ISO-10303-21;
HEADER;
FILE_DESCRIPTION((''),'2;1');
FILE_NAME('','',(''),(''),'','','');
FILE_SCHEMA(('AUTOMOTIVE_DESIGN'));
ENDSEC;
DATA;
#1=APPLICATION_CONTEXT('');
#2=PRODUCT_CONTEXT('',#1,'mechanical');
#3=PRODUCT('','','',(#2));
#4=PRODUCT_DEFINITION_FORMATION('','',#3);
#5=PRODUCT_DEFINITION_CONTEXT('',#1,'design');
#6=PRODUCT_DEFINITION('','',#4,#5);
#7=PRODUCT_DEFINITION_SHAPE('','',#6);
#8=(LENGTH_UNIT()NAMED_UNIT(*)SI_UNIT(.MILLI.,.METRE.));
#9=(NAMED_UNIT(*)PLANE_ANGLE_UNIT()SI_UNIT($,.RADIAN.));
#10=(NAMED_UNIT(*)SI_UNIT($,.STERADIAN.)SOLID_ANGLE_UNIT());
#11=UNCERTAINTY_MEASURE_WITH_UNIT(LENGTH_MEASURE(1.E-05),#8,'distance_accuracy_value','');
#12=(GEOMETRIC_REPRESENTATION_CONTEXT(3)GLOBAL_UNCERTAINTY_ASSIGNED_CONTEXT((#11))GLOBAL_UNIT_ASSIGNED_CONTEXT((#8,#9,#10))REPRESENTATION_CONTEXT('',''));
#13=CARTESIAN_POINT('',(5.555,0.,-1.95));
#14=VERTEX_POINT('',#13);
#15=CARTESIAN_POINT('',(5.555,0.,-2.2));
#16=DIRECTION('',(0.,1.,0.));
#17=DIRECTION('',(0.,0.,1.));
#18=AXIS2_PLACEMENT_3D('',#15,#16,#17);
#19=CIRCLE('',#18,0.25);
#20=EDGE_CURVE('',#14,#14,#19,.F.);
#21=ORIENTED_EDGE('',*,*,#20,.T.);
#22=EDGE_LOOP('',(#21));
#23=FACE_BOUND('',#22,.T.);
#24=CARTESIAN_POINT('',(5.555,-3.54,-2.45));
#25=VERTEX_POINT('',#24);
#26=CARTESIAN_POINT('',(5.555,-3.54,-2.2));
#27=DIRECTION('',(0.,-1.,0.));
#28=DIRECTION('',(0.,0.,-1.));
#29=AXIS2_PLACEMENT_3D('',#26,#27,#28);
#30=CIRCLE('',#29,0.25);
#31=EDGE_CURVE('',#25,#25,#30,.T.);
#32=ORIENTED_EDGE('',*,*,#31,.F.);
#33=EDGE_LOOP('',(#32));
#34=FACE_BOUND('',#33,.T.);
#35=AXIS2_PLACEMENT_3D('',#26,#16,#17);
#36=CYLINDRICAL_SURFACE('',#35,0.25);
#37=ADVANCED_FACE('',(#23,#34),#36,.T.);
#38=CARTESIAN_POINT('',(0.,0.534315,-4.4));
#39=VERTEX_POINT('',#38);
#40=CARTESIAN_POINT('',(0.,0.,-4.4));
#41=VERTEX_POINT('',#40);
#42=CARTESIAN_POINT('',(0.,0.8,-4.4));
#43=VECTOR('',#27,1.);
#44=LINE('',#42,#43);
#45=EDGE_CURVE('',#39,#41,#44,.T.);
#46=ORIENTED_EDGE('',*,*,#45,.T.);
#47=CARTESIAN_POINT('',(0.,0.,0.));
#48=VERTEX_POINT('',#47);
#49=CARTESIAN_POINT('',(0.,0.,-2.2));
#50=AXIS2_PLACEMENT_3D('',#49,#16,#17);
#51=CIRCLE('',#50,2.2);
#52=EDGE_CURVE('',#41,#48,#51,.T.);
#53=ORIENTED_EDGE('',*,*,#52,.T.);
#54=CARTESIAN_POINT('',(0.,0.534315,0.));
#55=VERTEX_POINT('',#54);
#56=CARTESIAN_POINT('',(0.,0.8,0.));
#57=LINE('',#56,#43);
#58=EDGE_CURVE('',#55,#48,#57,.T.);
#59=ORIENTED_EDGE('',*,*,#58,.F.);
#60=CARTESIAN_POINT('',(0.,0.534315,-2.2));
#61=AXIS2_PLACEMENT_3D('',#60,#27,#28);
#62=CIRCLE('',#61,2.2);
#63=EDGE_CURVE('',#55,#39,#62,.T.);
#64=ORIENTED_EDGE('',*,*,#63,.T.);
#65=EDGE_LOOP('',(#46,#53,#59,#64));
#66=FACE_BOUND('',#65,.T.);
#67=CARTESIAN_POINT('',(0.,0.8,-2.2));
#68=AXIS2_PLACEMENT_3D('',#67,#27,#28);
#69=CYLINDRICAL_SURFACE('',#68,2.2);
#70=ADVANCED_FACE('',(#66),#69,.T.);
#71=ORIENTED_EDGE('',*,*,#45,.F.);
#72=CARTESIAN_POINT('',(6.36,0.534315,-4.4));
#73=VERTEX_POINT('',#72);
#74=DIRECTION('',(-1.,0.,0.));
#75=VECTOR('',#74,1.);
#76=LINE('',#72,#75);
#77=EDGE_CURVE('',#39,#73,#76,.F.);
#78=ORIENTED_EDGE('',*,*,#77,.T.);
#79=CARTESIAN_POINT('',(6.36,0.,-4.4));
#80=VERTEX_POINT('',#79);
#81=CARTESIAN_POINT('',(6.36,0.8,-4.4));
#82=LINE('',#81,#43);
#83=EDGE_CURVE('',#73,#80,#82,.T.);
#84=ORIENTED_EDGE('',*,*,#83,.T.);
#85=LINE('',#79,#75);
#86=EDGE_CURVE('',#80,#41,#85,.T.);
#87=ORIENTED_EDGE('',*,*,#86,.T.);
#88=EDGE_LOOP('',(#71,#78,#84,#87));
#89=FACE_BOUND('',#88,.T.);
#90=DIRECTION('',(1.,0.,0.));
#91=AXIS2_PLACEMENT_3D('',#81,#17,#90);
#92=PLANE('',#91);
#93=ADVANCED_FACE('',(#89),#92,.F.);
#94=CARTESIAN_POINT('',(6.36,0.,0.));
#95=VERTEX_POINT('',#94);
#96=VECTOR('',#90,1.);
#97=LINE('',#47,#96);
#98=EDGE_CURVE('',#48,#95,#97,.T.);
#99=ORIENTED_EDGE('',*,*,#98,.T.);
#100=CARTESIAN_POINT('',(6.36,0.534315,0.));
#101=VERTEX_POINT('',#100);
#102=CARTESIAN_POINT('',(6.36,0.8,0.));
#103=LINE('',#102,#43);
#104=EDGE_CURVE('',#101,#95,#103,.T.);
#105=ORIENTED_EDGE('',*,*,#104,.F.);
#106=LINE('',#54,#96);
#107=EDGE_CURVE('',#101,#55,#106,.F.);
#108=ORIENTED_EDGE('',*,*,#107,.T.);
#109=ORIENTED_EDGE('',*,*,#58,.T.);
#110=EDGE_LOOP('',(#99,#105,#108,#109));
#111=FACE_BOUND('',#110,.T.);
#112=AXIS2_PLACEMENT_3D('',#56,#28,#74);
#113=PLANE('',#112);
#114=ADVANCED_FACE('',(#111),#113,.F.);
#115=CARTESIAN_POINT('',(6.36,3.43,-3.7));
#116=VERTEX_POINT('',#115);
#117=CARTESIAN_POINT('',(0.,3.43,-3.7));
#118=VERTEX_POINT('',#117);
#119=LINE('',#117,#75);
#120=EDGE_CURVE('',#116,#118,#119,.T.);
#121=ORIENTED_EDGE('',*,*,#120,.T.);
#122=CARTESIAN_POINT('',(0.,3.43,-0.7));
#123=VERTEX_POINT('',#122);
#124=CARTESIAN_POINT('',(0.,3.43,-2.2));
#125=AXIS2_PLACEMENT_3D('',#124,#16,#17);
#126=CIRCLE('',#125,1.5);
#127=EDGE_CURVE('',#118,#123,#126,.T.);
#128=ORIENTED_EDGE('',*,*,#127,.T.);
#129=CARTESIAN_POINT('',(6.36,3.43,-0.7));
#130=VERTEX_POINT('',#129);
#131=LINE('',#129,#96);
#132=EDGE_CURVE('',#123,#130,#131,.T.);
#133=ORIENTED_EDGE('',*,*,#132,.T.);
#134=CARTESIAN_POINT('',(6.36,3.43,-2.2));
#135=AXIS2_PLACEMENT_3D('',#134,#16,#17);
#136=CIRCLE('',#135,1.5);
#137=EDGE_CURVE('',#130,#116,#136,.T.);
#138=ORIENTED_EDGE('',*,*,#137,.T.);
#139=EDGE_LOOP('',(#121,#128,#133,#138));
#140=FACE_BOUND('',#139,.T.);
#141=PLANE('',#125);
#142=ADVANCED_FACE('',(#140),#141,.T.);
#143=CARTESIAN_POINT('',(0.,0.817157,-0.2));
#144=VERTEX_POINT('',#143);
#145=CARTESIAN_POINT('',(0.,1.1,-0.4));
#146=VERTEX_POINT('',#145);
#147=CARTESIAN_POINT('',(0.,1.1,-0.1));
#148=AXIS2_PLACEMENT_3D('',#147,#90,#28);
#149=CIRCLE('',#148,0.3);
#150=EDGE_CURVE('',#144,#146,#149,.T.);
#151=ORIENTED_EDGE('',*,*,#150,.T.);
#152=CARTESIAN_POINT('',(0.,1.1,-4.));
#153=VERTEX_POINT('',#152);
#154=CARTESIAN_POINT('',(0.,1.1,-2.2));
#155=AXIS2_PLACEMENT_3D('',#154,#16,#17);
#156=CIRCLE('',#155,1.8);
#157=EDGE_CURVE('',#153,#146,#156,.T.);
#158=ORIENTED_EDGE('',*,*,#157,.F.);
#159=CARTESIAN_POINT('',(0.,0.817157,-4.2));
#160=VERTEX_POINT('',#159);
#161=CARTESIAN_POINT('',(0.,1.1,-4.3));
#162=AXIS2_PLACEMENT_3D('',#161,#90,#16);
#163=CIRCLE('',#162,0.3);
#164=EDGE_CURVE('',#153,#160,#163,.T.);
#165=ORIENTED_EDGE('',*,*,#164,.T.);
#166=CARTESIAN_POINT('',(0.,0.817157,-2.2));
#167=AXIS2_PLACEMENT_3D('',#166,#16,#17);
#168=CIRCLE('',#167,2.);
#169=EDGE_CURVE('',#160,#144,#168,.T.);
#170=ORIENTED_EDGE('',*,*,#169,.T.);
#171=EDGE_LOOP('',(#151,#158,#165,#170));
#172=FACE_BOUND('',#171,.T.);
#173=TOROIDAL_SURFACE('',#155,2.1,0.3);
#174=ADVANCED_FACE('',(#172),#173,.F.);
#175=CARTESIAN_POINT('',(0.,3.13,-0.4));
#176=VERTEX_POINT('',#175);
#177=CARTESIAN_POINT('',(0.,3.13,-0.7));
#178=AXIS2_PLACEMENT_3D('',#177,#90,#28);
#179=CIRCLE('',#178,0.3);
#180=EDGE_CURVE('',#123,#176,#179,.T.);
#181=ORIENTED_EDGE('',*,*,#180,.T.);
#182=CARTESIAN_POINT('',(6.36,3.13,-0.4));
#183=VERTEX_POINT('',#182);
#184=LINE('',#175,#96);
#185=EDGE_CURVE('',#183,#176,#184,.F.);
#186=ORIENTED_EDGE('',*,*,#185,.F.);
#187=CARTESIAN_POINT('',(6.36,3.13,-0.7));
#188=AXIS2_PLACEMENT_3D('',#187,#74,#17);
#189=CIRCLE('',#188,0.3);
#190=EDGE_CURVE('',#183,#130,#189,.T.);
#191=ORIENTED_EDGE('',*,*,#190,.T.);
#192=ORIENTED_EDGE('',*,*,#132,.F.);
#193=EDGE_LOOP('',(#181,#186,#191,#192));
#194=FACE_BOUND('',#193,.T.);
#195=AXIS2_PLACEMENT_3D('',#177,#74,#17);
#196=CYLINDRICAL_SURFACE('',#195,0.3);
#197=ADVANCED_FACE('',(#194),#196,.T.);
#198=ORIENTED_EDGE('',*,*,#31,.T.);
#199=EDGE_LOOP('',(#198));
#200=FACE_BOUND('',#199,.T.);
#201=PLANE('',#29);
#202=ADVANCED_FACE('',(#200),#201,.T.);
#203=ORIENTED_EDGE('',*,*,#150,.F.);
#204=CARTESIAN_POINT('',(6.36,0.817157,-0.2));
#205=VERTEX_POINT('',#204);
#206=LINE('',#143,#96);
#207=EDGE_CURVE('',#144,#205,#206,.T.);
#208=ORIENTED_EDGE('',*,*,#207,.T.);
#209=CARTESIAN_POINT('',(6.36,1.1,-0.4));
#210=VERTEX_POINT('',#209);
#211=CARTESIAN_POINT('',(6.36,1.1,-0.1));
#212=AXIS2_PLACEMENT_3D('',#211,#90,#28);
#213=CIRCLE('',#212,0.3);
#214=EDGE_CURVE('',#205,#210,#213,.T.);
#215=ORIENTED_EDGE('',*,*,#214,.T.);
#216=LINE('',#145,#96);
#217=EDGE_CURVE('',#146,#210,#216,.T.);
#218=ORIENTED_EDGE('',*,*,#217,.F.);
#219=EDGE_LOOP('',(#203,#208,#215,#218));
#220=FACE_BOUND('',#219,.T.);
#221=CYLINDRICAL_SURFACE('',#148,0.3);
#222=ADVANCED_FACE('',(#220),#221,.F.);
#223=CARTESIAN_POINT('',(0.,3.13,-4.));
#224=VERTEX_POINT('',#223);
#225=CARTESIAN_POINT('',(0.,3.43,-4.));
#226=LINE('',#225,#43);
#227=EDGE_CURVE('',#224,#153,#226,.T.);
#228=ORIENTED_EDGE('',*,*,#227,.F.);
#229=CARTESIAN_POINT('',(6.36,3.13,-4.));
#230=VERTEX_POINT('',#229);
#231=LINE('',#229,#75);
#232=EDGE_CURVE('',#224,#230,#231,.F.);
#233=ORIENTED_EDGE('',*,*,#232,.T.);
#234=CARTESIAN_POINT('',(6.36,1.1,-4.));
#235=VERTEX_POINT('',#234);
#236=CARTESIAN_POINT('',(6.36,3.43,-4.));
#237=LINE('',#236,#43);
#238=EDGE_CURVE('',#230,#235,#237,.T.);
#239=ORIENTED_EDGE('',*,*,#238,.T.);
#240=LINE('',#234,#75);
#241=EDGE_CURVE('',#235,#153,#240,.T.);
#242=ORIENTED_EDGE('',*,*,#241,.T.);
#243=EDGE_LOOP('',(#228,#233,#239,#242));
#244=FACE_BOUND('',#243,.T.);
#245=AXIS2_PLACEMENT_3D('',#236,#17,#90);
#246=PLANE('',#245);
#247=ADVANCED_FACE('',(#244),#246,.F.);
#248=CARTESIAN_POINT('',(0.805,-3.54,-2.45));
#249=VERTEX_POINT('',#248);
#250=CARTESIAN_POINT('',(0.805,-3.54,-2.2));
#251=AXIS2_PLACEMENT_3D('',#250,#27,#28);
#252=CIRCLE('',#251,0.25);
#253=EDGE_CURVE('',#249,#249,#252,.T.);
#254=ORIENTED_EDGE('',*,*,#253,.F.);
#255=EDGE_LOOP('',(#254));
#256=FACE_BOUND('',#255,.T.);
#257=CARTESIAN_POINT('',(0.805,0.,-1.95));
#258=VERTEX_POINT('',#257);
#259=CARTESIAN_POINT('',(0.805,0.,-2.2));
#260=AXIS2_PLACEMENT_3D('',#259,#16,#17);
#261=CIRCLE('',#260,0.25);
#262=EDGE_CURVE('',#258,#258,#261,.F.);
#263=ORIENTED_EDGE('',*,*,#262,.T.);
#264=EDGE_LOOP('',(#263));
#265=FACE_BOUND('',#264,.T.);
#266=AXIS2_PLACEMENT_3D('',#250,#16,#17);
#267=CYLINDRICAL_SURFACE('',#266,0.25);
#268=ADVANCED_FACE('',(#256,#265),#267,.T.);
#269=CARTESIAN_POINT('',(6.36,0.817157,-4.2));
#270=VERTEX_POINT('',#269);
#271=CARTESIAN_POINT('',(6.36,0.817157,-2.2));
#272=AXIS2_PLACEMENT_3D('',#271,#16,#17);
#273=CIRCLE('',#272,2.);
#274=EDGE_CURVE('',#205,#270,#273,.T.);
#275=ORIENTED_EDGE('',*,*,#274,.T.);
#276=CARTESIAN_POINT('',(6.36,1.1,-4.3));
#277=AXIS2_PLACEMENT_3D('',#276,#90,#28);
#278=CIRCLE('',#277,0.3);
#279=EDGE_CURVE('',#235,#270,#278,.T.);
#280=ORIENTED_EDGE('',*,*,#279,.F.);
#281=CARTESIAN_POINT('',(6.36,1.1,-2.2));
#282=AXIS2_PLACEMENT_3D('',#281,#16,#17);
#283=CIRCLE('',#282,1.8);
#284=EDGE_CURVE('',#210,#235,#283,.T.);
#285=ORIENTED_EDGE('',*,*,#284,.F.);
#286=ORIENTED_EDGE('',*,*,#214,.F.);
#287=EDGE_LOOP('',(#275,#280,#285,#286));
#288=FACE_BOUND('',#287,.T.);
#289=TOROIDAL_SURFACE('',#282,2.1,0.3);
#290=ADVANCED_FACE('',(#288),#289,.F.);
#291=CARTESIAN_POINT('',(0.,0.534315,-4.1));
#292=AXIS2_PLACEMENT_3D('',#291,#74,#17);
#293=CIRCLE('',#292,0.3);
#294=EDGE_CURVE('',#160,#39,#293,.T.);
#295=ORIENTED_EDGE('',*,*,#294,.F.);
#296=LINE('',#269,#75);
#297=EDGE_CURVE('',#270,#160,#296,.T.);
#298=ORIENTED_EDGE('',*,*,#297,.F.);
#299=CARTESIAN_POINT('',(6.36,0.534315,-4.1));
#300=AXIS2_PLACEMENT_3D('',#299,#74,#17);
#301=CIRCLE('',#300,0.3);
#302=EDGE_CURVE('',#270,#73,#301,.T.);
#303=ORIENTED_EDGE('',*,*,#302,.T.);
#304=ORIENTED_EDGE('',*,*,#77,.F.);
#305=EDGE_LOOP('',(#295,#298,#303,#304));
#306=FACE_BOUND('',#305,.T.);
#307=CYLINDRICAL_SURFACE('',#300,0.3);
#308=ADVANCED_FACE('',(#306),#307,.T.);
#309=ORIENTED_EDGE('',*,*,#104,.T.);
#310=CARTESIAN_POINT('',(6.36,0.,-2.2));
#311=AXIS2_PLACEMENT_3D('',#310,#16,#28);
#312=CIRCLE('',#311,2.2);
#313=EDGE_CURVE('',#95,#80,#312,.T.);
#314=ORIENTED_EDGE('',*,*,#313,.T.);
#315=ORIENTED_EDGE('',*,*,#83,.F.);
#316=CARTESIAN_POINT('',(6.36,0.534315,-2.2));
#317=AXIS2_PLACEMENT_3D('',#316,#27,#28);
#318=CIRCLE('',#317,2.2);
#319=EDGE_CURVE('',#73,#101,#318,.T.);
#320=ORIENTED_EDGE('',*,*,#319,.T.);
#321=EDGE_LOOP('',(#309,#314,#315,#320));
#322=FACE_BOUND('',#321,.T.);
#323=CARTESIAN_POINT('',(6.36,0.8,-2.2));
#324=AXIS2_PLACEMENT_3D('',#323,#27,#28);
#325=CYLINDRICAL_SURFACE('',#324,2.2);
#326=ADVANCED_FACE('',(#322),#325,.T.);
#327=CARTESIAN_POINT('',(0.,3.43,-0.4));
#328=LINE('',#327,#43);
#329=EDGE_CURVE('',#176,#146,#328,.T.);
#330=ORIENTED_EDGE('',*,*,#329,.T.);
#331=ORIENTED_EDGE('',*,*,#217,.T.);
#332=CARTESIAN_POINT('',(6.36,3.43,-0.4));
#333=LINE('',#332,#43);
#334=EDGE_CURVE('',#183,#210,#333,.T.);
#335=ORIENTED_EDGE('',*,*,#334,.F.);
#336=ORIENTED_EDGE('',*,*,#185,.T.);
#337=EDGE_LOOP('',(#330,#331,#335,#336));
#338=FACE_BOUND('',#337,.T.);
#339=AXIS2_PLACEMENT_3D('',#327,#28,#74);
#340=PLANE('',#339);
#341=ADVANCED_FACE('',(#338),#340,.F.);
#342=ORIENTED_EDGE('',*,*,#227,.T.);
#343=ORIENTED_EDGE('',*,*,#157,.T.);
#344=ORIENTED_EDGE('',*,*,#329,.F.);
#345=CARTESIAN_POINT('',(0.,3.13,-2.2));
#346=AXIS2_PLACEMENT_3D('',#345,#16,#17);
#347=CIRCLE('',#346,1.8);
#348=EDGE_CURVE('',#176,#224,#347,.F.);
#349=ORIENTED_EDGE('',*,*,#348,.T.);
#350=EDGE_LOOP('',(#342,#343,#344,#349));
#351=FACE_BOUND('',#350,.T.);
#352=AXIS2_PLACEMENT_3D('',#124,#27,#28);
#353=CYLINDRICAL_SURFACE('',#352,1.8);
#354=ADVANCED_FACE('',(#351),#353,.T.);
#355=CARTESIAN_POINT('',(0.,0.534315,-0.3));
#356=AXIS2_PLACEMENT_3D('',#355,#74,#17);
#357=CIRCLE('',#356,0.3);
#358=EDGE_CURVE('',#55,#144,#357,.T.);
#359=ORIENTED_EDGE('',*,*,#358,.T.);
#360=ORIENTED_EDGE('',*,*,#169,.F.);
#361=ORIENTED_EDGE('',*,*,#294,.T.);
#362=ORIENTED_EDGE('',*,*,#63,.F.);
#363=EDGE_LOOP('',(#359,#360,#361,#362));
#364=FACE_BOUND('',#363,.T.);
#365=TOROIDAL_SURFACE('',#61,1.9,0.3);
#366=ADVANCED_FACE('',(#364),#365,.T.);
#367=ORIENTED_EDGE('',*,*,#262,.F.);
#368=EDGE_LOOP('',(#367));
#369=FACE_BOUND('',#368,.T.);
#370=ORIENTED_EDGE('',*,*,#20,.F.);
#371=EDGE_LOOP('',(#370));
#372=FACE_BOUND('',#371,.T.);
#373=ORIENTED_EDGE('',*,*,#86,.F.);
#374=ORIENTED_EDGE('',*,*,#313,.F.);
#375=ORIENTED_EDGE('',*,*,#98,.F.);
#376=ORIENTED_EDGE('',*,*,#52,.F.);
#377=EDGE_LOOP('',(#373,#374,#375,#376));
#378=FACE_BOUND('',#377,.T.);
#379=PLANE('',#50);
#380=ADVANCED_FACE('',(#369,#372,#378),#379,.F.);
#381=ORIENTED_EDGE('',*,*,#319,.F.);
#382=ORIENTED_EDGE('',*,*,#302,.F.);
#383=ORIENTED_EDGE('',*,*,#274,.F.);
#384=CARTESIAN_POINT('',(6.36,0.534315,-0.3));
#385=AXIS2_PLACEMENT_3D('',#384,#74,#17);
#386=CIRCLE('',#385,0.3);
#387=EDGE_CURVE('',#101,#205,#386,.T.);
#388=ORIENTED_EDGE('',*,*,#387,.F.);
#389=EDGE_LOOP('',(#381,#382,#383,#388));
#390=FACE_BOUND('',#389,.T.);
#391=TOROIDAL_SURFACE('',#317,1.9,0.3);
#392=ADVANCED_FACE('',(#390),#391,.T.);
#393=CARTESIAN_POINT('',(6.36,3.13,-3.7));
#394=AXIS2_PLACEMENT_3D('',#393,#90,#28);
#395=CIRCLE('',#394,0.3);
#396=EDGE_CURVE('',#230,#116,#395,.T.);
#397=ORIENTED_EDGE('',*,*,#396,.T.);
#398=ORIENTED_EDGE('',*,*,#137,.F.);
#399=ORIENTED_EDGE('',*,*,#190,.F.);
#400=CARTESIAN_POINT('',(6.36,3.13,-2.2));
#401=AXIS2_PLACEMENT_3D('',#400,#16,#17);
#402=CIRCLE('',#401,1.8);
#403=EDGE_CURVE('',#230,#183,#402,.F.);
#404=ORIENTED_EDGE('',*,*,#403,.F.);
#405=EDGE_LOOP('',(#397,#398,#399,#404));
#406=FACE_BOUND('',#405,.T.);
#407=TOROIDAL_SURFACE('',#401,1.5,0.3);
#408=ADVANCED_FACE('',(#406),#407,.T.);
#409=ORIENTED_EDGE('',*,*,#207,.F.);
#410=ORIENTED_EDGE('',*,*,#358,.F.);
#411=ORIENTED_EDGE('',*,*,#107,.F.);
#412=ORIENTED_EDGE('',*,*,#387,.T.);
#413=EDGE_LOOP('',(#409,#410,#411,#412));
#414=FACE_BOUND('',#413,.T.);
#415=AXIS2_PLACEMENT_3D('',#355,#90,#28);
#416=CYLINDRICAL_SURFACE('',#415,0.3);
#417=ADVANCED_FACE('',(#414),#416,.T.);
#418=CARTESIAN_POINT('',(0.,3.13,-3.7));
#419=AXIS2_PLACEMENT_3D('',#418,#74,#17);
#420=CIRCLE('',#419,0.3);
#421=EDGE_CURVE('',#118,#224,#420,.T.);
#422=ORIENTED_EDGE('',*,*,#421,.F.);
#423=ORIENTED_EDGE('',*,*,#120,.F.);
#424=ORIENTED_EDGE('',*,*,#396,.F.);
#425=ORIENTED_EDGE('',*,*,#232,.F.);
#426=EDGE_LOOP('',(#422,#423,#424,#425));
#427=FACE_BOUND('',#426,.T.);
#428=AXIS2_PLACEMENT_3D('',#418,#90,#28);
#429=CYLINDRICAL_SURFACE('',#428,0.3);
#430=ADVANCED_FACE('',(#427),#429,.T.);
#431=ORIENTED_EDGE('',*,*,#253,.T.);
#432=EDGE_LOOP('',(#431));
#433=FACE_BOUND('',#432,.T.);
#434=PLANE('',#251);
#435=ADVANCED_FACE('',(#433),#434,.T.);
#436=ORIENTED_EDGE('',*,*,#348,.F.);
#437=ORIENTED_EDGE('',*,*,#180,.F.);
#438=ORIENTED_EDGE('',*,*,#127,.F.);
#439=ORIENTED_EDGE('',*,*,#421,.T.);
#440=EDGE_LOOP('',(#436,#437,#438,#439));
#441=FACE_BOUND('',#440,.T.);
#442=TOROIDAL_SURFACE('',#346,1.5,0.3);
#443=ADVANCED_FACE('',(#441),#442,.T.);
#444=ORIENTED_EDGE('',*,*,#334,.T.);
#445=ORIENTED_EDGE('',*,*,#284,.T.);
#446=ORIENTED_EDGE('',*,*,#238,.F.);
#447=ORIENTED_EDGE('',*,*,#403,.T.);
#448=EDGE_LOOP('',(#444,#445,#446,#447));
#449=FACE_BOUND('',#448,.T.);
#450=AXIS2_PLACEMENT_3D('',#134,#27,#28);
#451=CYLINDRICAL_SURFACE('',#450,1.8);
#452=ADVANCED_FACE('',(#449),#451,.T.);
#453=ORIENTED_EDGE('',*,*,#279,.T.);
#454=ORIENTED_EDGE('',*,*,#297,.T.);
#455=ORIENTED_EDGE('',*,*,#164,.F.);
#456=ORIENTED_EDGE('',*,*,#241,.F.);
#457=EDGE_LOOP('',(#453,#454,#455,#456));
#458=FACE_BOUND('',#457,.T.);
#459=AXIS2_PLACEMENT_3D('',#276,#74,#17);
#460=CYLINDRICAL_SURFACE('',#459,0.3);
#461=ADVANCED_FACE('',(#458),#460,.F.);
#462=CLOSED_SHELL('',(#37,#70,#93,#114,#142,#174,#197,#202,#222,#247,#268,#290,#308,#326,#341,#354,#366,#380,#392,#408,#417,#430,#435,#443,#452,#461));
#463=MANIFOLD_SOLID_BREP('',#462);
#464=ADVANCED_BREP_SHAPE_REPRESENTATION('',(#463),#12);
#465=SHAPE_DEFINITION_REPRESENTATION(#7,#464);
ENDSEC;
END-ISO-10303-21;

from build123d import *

# Parameters (mm, degrees)
SALIENTE_EXTRUIR1_DEPTH = 3.43
SALIENTE_EXTRUIR2_DEPTH = 0.8
REDONDEO2_R             = 0.3
REDONDEO5_R             = 0.3
CROQUIS2_R              = 0.25
SALIENTE_EXTRUIR3_DEPTH = 3.54


with BuildPart() as part:
    # Croquis1 → Saliente-Extruir1 (new body)
    with BuildSketch(Plane(origin=(0, 0, 0), x_dir=(1, 0, 0), z_dir=(0, 1, 0))):
        with BuildLine():
            Line((0, 0.4), (6.36, 0.4))
            ThreePointArc((6.36, 0.4), (8.16, 2.2), (6.36, 4))
            Line((6.36, 4), (0, 4))
            ThreePointArc((0, 4), (-1.8, 2.2), (0, 0.4))
        make_face()
    extrude(amount=SALIENTE_EXTRUIR1_DEPTH)

    # Croquis1<3> → Saliente-Extruir2 (add)
    with BuildSketch(Plane(origin=(0, 0, 0), x_dir=(1, 0, 0), z_dir=(0, 1, 0))):
        with BuildLine():
            Line((0, 0), (6.36, 0))
            ThreePointArc((6.36, 0), (8.56, 2.2), (6.36, 4.4))
            Line((6.36, 4.4), (0, 4.4))
            ThreePointArc((0, 4.4), (-2.2, 2.2), (0, 0))
        make_face()
        with BuildLine():
            Line((0, 0.4), (6.36, 0.4))
            ThreePointArc((6.36, 0.4), (8.16, 2.2), (6.36, 4))
            Line((6.36, 4), (0, 4))
            ThreePointArc((0, 4), (-1.8, 2.2), (0, 0.4))
        make_face(mode=Mode.SUBTRACT)
    extrude(amount=SALIENTE_EXTRUIR2_DEPTH)

    # Redondeo2
    redondeo2_edges = [part.edges().sort_by_distance(p)[0] for p in [
        (3.18, 3.43, -0.4),
        (8.16, 3.43, -2.2),
        (3.18, 3.43, -4),
        (-1.8, 3.43, -2.2),
        (-1.8, 0.8, -2.2),
        (3.18, 0.8, -4),
        (8.16, 0.8, -2.2),
        (3.18, 0.8, -0.4),
    ]]
    fillet(redondeo2_edges, radius=REDONDEO2_R)

    # Redondeo5
    redondeo5_edges = [part.edges().sort_by_distance(p)[0] for p in [
        (-2.2, 0.8, -2.2),
        (3.18, 0.8, -4.4),
        (8.56, 0.8, -2.2),
        (3.18, 0.8, 0),
    ]]
    fillet(redondeo5_edges, radius=REDONDEO5_R)

    # Croquis2 → Saliente-Extruir3 (add)
    with BuildSketch(Plane.XZ):
        with Locations((0.805, -2.2)):
            Circle(CROQUIS2_R)
        with Locations((5.555, -2.2)):
            Circle(CROQUIS2_R)
    extrude(amount=SALIENTE_EXTRUIR3_DEPTH)


solid = part.part
